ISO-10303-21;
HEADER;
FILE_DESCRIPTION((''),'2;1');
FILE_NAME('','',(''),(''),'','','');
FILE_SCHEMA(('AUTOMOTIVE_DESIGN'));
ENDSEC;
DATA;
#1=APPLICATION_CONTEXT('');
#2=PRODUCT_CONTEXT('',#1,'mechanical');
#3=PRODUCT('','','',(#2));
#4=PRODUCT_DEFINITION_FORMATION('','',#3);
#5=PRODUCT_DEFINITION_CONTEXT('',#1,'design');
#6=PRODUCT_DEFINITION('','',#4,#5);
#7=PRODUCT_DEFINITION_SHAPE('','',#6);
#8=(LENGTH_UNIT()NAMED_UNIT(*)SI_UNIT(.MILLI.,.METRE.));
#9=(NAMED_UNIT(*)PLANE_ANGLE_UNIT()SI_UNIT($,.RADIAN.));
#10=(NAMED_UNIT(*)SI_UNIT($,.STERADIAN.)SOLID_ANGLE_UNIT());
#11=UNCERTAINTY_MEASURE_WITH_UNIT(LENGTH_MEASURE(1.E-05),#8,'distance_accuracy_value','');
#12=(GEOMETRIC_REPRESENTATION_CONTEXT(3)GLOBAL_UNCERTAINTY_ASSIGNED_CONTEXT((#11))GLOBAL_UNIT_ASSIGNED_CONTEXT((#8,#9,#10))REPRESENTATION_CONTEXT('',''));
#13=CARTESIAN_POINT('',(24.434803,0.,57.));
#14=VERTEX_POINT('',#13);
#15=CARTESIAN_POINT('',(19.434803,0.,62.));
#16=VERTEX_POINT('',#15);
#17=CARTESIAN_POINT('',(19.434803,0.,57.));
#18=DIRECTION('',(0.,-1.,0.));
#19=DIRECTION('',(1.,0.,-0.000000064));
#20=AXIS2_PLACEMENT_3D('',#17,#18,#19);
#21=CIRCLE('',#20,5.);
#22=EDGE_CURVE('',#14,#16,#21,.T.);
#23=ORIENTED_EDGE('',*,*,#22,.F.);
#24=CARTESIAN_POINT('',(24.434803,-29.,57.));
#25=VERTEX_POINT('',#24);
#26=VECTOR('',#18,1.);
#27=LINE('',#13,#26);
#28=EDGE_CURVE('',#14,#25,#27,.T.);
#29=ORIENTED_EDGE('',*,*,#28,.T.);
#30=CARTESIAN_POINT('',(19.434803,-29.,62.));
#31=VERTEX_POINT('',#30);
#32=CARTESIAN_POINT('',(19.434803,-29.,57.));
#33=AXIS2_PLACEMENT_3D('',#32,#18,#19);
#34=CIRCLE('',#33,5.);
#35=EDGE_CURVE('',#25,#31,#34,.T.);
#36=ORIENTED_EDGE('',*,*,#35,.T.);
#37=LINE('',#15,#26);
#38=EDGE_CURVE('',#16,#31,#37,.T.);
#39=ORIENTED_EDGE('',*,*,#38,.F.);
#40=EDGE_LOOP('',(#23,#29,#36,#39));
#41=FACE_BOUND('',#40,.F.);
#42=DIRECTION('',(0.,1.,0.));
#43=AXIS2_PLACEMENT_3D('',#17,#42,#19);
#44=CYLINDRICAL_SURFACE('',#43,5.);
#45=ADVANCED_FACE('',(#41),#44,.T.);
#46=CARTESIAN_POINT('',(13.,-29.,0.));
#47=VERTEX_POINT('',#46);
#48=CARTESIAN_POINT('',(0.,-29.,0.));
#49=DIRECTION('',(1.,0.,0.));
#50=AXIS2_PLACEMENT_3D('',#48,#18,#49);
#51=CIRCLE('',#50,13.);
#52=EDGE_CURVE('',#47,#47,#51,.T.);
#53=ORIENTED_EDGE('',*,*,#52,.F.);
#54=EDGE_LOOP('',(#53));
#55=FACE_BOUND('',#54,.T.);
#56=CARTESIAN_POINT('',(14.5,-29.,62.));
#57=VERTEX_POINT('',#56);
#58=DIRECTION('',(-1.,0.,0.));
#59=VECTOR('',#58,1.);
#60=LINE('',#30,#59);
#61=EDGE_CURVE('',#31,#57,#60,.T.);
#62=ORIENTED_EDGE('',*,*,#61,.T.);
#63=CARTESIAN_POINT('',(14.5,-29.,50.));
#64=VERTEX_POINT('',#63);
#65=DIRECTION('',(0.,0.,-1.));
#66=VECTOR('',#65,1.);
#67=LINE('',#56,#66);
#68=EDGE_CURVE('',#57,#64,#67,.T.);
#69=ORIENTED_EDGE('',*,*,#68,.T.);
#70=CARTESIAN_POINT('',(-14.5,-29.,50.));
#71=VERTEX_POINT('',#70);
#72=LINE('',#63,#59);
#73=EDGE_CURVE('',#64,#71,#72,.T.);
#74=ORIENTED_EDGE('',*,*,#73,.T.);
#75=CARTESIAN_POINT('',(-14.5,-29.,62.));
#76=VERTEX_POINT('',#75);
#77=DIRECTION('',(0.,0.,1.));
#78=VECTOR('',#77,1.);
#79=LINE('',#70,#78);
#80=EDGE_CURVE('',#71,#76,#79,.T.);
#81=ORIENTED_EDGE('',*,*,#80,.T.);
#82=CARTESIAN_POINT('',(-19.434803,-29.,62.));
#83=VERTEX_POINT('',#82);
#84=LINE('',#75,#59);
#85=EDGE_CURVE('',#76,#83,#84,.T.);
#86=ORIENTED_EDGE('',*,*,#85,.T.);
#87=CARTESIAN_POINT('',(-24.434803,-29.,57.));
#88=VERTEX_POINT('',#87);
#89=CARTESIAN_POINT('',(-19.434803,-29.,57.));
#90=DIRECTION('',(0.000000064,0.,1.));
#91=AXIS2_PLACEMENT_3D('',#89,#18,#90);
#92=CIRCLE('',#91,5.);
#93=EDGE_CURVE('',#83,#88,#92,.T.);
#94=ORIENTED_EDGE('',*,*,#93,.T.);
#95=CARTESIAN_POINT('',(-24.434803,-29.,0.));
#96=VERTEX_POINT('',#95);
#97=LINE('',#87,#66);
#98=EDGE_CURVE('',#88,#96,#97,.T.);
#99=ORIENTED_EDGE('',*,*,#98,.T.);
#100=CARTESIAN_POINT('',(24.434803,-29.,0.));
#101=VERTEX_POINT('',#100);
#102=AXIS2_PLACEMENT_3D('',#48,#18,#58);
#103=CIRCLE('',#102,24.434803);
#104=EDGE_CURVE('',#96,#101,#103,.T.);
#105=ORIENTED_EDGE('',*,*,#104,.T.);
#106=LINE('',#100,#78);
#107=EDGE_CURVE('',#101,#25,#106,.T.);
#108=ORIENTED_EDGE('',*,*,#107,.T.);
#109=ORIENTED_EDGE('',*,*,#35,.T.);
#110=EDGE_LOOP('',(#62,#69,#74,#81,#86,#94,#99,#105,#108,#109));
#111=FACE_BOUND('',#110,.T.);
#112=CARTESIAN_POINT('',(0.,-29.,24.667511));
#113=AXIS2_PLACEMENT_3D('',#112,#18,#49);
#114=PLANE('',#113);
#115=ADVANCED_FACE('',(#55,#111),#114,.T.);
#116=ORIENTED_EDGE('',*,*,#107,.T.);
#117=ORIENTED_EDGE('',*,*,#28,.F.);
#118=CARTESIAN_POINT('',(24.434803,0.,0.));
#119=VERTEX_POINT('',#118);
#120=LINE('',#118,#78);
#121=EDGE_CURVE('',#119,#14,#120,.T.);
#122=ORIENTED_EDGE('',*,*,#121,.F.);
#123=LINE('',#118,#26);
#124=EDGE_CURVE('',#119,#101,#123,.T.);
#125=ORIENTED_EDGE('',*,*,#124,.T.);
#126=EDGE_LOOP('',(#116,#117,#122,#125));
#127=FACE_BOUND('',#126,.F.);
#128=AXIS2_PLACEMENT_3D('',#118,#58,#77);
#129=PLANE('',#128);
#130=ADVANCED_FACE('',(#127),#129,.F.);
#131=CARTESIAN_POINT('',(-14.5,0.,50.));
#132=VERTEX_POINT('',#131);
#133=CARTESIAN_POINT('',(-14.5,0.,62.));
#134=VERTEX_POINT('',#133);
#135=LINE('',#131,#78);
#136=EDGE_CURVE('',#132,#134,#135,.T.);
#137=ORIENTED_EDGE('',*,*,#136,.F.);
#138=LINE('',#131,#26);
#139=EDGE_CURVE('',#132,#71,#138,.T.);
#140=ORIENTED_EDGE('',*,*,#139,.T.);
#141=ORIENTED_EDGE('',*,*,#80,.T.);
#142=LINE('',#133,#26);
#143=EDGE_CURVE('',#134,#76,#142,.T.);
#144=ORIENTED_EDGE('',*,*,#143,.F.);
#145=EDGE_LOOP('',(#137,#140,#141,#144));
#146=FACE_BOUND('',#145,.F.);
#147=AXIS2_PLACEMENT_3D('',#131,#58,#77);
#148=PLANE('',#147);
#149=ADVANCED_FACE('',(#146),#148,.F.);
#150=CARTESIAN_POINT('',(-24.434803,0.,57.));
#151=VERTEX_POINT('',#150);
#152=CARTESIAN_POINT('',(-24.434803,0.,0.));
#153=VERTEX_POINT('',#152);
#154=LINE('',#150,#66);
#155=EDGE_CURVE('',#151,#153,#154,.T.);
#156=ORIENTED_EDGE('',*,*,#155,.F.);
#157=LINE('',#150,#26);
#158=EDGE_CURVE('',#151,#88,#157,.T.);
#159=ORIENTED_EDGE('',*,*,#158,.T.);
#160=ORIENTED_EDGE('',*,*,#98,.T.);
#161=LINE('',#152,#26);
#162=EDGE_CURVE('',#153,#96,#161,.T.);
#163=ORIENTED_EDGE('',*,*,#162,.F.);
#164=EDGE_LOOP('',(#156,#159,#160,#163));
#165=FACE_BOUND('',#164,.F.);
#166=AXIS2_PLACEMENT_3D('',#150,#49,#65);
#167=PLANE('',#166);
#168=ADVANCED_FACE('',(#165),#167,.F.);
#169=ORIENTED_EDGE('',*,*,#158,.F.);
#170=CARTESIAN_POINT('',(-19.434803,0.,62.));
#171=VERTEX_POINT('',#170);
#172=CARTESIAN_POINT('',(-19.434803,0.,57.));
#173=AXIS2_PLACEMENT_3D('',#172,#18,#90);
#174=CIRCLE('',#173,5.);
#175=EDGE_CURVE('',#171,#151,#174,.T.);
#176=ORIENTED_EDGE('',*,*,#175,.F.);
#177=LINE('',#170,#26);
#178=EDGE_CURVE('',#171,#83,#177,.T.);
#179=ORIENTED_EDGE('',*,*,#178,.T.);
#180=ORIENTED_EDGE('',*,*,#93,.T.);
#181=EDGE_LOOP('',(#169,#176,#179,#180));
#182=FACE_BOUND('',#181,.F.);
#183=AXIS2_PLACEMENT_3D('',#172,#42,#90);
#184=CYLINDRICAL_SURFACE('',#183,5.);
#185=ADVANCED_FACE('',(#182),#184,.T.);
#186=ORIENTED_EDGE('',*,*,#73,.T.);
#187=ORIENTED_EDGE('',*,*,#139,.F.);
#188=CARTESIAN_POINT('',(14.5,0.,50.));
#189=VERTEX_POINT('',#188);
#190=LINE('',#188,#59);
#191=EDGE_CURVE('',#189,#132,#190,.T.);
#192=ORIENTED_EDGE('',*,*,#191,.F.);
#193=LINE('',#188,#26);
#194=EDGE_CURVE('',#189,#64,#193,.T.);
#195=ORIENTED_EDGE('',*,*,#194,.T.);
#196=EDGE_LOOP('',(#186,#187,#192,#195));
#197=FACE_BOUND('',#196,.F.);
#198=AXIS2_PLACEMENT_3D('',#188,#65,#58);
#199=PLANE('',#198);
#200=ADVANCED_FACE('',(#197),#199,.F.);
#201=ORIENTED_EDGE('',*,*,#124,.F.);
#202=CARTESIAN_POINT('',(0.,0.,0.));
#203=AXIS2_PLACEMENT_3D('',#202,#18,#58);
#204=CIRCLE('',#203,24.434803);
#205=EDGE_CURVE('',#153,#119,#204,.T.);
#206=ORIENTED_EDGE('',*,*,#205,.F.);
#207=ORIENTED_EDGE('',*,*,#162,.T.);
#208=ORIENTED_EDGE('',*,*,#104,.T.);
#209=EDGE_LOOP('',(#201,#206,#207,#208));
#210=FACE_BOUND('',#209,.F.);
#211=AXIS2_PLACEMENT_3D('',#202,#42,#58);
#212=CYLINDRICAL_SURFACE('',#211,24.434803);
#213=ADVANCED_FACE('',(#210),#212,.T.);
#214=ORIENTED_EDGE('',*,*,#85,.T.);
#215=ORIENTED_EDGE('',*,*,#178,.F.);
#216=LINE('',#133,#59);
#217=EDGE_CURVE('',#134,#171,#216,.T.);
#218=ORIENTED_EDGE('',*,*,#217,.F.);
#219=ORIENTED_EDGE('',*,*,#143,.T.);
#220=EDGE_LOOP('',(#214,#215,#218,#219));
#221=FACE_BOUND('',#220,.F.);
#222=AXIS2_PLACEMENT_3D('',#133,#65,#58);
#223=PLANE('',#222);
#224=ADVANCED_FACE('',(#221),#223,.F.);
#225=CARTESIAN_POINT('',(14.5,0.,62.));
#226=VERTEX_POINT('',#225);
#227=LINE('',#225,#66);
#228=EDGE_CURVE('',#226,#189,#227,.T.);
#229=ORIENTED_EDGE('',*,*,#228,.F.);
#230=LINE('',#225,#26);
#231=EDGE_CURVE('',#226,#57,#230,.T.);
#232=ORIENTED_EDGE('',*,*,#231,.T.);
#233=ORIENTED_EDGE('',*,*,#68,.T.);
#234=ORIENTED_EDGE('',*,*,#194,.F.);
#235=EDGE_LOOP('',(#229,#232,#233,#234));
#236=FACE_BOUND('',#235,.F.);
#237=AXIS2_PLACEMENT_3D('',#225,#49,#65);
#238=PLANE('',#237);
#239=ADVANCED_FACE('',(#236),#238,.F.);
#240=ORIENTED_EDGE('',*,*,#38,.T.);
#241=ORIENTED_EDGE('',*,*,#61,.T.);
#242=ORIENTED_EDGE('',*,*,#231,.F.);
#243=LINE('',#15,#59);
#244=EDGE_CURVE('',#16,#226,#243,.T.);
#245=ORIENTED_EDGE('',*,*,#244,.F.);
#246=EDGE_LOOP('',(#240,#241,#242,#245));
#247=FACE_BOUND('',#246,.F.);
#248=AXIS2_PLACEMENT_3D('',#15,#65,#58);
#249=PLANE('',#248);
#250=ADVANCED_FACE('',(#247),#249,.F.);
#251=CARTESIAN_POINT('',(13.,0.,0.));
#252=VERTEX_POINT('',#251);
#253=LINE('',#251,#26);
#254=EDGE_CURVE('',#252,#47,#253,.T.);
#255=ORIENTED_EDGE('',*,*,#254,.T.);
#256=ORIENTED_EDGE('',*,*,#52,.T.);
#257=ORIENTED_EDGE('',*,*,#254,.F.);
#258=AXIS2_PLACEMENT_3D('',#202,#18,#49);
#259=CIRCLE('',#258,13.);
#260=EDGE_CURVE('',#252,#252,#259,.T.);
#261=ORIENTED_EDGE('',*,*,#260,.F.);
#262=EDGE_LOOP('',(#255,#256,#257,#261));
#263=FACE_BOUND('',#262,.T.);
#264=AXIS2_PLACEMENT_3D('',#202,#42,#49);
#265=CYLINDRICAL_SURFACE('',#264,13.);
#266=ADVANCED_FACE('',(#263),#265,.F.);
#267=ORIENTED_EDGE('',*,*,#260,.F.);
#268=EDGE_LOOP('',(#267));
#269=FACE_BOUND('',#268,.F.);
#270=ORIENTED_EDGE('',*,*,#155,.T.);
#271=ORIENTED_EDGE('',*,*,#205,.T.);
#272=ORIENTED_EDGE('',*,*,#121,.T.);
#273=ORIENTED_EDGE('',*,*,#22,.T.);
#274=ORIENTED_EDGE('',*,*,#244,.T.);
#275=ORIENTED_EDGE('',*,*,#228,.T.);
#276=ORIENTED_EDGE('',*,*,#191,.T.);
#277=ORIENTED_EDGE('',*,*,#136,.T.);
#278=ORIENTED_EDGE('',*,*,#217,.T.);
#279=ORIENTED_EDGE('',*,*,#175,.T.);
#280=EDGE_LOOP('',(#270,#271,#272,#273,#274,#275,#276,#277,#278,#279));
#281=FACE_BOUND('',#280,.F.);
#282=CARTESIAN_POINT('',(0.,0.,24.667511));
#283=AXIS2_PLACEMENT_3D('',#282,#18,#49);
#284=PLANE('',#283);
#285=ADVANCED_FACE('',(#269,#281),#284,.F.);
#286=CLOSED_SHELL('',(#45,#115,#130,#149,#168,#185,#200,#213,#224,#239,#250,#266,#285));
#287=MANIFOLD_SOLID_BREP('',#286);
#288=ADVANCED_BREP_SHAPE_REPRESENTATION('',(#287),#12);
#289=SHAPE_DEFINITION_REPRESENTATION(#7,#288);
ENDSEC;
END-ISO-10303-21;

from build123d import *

# Parameters (mm, degrees)
F0_R     = 13
F1_DEPTH = 29


with BuildPart() as f1:
    # F0 (on Front) → F1 (new body)
    with BuildSketch(Plane.XZ):
        with BuildLine():
            Line((-14.5, 62), (-19.434803, 62))
            ThreePointArc((-19.434803, 62), (-22.970337, 60.535534), (-24.434803, 57))
            Line((-24.434803, 57), (-24.434803, 0))
            ThreePointArc((-24.434803, 0), (0, -24.434803), (24.434803, 0))
            Line((24.434803, 0), (24.434803, 57))
            ThreePointArc((24.434803, 57), (22.970337, 60.535534), (19.434803, 62))
            Line((19.434803, 62), (14.5, 62))
            Line((14.5, 62), (14.5, 50))
            Line((14.5, 50), (-14.5, 50))
            Line((-14.5, 50), (-14.5, 62))
        make_face()
        Circle(F0_R, mode=Mode.SUBTRACT)
    extrude(amount=F1_DEPTH)


solid = f1.part
